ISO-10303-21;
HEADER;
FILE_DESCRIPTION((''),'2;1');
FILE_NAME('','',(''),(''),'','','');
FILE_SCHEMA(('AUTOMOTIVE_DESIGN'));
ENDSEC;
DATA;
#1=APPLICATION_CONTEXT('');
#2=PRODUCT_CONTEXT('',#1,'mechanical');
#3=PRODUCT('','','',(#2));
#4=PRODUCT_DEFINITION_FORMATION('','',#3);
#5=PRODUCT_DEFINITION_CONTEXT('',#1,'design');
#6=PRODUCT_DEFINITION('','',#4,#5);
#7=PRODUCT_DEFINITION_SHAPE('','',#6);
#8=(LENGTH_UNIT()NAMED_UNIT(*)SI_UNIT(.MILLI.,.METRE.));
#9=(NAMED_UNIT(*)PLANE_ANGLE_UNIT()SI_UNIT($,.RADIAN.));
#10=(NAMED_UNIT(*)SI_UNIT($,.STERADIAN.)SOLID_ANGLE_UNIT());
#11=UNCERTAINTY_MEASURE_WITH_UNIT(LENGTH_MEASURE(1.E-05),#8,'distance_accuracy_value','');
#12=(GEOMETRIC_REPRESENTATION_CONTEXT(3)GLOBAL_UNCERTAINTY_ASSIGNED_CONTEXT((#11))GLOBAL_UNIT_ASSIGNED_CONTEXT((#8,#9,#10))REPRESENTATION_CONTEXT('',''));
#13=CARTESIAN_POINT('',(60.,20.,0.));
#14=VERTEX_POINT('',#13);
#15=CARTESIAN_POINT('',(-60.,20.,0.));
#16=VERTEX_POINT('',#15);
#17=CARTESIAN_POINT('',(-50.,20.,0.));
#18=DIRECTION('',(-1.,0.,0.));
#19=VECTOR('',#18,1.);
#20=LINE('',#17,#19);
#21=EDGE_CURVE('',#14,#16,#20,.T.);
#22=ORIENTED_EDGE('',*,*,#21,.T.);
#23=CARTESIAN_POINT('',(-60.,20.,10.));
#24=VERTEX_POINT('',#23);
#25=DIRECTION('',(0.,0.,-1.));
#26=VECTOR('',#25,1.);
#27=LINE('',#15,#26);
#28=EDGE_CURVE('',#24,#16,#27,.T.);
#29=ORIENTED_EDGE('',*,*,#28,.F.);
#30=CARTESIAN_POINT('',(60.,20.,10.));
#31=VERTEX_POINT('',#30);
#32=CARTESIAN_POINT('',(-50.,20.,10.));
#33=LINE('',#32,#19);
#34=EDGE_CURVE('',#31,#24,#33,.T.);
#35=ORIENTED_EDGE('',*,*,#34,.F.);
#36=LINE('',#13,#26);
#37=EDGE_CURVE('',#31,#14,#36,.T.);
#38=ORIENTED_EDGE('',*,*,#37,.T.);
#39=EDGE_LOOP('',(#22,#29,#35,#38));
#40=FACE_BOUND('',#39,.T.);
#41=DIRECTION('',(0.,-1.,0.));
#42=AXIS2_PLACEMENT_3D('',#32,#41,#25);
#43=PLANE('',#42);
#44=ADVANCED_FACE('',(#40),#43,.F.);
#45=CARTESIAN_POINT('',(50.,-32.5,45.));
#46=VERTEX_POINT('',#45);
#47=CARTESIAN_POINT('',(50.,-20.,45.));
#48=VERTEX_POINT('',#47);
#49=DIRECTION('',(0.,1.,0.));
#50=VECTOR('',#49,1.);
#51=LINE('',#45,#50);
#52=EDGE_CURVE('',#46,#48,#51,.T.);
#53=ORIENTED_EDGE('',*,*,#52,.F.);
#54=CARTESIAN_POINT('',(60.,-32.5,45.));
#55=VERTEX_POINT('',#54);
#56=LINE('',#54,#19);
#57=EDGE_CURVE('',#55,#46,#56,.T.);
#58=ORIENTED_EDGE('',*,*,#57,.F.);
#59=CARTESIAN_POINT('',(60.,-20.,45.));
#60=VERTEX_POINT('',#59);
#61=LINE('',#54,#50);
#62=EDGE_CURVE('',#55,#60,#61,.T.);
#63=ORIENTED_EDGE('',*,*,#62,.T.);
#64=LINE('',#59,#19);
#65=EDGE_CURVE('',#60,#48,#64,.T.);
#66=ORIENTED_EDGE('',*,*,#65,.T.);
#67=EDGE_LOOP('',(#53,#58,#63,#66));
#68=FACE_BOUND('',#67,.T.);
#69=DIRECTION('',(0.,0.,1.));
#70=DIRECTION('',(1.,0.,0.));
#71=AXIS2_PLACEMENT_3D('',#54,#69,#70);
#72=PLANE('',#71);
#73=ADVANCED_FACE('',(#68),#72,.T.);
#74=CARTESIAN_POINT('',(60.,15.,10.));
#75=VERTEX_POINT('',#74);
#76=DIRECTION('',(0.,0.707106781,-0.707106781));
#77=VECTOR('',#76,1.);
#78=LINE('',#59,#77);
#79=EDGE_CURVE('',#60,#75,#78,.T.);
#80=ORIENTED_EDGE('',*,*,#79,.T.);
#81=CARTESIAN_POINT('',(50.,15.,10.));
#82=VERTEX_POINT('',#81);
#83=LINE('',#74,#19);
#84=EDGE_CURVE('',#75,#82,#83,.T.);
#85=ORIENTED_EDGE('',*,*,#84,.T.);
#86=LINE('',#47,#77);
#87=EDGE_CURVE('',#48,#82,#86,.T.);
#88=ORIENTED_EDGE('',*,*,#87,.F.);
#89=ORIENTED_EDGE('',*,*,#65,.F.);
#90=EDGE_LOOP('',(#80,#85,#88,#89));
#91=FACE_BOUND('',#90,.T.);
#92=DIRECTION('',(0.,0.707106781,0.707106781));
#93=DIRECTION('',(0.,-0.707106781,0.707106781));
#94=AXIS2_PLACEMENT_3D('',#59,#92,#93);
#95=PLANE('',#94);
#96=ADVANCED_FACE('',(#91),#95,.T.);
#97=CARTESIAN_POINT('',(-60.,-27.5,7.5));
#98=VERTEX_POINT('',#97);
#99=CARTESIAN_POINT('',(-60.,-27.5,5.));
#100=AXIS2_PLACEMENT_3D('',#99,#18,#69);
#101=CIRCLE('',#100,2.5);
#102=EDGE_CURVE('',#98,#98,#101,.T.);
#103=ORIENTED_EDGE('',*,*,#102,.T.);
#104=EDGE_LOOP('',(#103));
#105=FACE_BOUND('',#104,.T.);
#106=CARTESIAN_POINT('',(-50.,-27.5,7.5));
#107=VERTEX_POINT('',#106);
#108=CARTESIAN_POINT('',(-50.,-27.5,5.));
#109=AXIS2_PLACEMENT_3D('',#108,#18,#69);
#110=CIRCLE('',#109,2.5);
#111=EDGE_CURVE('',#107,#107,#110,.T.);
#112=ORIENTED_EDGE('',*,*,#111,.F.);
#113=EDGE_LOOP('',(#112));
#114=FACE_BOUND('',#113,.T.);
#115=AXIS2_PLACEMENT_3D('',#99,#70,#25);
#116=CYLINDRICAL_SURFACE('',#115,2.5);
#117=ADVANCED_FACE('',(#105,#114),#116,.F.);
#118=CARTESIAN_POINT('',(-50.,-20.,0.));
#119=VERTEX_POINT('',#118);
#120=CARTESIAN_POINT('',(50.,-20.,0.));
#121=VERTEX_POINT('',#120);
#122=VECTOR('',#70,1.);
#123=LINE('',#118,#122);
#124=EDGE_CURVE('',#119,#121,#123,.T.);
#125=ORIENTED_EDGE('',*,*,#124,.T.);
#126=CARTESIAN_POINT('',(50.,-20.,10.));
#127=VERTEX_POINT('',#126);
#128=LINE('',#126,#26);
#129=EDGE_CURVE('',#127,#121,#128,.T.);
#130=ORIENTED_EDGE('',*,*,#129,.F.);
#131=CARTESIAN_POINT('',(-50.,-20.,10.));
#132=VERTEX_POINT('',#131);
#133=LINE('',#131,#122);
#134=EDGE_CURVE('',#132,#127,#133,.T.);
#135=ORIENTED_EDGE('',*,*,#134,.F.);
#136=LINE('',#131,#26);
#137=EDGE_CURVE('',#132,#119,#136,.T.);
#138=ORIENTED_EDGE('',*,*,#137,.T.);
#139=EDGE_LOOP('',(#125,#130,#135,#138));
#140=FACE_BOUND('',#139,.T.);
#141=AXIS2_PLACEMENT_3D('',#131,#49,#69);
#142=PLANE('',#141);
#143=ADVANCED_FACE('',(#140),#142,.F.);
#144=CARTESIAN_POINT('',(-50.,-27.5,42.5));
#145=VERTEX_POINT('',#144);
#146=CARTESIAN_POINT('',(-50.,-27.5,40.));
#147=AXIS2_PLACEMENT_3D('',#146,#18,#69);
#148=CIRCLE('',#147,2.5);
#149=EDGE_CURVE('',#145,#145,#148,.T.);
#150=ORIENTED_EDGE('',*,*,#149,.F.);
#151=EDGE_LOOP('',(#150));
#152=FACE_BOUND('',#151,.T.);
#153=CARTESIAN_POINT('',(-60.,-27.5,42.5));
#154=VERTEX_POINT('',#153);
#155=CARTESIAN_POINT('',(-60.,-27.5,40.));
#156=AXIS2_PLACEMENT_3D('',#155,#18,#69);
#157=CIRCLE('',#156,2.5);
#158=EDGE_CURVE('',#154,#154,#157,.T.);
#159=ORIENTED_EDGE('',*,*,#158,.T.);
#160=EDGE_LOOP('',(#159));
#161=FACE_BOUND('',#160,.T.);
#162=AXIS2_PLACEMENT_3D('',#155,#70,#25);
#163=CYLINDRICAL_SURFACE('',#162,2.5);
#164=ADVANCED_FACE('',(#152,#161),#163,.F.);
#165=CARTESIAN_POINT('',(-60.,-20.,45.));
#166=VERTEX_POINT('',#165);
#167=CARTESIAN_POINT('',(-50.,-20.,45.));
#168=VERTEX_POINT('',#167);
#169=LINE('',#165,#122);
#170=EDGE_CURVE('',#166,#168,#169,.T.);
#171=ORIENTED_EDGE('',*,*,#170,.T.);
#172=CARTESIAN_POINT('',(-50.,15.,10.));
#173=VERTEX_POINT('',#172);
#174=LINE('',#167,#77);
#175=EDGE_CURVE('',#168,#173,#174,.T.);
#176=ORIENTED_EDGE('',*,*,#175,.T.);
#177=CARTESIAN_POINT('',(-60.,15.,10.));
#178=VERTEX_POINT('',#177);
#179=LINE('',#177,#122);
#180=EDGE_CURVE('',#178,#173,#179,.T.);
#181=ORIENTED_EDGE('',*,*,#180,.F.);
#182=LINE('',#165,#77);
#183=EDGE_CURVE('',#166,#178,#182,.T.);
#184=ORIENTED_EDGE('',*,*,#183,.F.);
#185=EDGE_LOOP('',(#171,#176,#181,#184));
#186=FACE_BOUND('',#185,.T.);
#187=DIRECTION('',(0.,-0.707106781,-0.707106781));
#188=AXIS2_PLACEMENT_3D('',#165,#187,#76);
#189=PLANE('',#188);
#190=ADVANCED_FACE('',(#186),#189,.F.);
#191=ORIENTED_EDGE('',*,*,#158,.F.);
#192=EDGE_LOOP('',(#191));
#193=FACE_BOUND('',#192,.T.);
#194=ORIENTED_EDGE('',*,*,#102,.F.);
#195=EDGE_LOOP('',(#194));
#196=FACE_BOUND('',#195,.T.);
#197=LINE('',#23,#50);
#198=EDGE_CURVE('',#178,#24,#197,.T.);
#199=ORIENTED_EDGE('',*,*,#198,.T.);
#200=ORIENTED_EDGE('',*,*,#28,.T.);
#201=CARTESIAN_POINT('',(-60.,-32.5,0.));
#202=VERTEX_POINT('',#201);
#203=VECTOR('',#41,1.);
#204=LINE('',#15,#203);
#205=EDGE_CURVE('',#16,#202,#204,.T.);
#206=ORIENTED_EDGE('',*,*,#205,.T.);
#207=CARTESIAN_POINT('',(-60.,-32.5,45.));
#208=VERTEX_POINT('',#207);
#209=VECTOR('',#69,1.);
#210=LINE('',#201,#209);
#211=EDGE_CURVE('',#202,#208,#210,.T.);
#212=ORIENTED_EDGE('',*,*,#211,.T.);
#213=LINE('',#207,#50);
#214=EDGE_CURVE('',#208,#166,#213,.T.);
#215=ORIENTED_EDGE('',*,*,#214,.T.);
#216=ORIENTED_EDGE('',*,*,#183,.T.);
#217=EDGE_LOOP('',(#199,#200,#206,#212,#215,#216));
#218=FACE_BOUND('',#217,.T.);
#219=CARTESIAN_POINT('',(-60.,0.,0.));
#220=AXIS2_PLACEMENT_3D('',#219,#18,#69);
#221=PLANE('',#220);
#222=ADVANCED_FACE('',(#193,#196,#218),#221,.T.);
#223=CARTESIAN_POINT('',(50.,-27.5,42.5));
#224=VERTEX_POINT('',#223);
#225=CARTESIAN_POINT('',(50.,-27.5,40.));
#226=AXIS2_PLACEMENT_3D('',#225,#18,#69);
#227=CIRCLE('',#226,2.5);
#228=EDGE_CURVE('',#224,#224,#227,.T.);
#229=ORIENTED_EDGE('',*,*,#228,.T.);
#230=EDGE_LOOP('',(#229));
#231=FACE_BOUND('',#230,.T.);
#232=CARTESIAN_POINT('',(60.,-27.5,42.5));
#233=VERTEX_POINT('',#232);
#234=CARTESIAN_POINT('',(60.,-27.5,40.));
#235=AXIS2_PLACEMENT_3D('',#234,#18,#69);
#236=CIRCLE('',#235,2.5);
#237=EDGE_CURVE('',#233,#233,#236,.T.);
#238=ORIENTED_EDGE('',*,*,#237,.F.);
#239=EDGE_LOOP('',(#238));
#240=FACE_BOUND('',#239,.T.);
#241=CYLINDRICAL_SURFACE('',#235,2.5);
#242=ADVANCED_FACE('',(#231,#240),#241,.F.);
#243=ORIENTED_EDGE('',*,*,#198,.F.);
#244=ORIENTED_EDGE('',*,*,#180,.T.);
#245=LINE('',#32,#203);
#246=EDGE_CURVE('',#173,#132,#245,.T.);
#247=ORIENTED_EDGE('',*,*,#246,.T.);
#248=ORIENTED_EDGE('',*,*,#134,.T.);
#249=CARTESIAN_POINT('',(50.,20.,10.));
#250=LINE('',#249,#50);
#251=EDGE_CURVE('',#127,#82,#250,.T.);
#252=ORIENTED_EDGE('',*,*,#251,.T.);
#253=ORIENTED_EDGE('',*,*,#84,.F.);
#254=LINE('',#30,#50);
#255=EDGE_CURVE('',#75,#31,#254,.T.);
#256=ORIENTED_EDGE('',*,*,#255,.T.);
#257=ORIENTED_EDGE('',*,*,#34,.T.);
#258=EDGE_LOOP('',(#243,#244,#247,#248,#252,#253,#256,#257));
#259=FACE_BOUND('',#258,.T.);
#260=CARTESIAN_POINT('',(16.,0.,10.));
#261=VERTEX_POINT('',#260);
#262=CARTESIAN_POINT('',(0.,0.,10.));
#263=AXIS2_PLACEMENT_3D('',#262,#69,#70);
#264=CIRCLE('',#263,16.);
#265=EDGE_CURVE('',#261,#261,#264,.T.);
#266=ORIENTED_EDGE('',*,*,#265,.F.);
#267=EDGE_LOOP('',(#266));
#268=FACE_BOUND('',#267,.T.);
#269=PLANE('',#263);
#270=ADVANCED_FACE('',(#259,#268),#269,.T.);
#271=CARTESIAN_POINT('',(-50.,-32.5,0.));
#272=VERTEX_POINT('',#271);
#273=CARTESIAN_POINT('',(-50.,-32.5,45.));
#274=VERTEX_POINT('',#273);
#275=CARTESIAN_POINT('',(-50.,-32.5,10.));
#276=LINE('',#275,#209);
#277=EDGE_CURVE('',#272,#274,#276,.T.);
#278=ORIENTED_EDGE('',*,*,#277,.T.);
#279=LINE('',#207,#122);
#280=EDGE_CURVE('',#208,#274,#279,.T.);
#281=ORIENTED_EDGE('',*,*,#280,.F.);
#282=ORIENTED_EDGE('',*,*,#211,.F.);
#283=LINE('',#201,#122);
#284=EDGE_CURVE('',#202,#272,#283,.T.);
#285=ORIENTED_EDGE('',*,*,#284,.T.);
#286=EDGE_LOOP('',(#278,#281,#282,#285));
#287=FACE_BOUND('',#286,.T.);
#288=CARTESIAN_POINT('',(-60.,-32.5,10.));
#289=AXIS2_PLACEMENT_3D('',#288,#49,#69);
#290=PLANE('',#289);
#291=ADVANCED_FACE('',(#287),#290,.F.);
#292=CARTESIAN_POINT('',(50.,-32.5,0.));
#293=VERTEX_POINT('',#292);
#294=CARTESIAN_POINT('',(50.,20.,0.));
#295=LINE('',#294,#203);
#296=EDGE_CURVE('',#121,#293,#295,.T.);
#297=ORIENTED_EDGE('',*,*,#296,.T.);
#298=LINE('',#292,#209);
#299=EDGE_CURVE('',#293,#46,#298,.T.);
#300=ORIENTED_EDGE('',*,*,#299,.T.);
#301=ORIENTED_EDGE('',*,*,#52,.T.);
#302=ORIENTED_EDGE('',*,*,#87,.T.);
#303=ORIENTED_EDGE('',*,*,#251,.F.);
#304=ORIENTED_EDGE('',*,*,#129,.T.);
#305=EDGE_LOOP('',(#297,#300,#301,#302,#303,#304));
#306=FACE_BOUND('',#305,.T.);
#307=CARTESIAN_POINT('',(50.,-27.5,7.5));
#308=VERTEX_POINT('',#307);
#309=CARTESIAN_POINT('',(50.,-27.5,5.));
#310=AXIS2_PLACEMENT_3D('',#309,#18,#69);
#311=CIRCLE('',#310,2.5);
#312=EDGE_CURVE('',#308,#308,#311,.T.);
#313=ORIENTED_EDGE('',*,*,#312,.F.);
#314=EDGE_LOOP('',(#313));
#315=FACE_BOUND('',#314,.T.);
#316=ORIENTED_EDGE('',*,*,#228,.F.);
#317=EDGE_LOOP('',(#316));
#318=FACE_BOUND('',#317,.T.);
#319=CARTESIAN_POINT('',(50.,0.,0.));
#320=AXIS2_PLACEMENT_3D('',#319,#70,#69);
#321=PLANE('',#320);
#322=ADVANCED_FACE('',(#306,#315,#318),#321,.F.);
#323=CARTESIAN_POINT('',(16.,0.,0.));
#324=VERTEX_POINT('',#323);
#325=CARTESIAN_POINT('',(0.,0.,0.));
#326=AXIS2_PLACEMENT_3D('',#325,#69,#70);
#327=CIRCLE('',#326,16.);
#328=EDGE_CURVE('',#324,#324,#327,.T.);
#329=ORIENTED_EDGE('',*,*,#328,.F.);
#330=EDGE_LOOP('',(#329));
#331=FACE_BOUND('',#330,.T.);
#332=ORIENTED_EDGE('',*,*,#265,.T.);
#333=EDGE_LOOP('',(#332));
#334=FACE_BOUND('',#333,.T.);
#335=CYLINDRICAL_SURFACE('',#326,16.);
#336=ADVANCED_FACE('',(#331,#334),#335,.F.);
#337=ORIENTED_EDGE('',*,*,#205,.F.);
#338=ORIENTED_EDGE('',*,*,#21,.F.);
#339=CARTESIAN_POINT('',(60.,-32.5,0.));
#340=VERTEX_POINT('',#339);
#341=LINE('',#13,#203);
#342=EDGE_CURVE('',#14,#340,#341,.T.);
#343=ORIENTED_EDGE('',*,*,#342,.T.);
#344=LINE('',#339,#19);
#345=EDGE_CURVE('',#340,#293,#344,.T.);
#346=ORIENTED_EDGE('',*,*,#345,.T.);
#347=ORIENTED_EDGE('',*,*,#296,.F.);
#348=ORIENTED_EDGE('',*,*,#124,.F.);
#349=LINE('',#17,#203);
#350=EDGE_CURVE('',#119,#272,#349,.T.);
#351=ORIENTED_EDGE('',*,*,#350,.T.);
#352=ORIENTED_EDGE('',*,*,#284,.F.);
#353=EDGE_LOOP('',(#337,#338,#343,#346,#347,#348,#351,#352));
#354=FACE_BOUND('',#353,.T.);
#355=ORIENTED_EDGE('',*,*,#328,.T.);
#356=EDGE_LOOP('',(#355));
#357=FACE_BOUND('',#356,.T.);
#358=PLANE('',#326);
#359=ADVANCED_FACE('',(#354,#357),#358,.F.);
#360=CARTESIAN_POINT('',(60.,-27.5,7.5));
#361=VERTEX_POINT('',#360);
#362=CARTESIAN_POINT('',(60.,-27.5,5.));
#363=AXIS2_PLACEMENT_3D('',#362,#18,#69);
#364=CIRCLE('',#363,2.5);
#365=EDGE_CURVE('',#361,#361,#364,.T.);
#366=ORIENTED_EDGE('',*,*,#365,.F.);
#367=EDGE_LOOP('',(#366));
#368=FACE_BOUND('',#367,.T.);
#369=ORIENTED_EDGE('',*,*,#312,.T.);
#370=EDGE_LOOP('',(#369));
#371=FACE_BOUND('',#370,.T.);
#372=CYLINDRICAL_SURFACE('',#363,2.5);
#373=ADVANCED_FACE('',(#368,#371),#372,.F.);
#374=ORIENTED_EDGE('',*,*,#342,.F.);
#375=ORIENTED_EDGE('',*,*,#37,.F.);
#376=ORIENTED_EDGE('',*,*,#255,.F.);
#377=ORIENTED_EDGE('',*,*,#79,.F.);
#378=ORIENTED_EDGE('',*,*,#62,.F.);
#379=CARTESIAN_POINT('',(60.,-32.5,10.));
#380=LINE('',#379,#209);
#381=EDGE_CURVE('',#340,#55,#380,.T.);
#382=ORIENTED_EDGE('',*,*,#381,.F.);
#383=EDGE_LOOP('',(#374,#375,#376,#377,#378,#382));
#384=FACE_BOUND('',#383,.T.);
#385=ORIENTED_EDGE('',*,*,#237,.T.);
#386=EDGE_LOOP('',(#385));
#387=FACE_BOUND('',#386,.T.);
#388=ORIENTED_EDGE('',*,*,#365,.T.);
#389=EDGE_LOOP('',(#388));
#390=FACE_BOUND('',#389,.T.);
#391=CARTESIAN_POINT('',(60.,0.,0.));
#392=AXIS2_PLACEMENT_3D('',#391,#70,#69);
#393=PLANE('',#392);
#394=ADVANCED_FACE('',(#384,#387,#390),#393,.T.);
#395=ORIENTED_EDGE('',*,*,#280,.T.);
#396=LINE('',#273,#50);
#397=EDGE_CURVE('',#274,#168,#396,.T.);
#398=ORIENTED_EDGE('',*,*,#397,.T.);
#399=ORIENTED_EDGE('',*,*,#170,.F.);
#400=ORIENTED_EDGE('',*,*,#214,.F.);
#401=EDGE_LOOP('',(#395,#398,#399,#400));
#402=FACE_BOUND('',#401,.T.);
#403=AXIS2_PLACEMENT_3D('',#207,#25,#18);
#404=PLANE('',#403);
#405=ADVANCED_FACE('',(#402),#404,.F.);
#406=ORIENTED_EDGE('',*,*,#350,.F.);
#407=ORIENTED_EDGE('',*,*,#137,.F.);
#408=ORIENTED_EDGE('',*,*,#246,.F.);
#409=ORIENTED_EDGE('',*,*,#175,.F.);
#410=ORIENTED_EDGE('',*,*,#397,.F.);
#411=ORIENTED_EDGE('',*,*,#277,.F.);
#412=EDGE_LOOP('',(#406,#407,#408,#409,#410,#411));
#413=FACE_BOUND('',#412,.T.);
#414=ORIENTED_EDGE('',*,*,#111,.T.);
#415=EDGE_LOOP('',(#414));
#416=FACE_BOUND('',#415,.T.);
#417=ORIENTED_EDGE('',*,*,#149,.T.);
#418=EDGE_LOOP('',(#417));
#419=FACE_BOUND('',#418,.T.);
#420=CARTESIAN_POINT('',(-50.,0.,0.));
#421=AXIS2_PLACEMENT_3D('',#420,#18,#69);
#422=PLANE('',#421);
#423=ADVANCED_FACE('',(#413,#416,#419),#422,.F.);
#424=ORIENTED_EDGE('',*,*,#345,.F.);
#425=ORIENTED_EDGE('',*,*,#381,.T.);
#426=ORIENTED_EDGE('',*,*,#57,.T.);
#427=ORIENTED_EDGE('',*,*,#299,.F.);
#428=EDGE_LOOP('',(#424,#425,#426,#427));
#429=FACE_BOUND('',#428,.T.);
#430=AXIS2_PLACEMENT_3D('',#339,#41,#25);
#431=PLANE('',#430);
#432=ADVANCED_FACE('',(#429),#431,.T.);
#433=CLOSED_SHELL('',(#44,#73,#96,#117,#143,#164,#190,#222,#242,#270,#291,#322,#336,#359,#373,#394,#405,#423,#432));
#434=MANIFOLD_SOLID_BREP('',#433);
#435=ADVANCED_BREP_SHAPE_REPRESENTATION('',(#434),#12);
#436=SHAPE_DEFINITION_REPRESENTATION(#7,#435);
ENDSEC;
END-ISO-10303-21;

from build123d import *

# Parameters (mm, degrees)
SKETCH2_W           = 100
SKETCH2_H           = 40
BOSS_EXTRUDE1_DEPTH = 10
SKETCH3_R           = 7.5
CUT_EXTRUDE1_DEPTH  = 55.772255751
SKETCH4_R           = 16
CUT_EXTRUDE2_DEPTH  = 55.772255751
SKETCH5_R           = 2.5
BOSS_EXTRUDE2_DEPTH = 10


with BuildPart() as part:
    # Sketch2 → Boss-Extrude1 (new body)
    with BuildSketch(Plane.XY):
        Rectangle(SKETCH2_W, SKETCH2_H)
    extrude(amount=BOSS_EXTRUDE1_DEPTH)

    # Sketch3 → Cut-Extrude1 (cut, through all)
    with BuildSketch(Plane.XY.offset(10)):
        Circle(SKETCH3_R)
    extrude(amount=-CUT_EXTRUDE1_DEPTH, mode=Mode.SUBTRACT)

    # Sketch4 → Cut-Extrude2 (cut, through all)
    with BuildSketch(Plane.XY.offset(10)):
        Circle(SKETCH4_R)
    extrude(amount=-CUT_EXTRUDE2_DEPTH, mode=Mode.SUBTRACT)

    # Sketch5 → Boss-Extrude2 (add)
    with BuildSketch(Plane.ZY.offset(50)):
        Polygon((0, 20), (10, 20), (10, 15), (45, -20), (45, -32.5), (10, -32.5), (0, -32.5), align=None)
        with Locations((5, -27.5)):
            Circle(SKETCH5_R, mode=Mode.SUBTRACT)
        with Locations((40, -27.5)):
            Circle(SKETCH5_R, mode=Mode.SUBTRACT)
    boss_extrude2 = extrude(amount=BOSS_EXTRUDE2_DEPTH)

    # Mirror1: Boss-Extrude2 across plane
    add(boss_extrude2.mirror(Plane(origin=(0, 0, 0), x_dir=(0, 0, 1), z_dir=(1, 0, 0))))


solid = part.part
